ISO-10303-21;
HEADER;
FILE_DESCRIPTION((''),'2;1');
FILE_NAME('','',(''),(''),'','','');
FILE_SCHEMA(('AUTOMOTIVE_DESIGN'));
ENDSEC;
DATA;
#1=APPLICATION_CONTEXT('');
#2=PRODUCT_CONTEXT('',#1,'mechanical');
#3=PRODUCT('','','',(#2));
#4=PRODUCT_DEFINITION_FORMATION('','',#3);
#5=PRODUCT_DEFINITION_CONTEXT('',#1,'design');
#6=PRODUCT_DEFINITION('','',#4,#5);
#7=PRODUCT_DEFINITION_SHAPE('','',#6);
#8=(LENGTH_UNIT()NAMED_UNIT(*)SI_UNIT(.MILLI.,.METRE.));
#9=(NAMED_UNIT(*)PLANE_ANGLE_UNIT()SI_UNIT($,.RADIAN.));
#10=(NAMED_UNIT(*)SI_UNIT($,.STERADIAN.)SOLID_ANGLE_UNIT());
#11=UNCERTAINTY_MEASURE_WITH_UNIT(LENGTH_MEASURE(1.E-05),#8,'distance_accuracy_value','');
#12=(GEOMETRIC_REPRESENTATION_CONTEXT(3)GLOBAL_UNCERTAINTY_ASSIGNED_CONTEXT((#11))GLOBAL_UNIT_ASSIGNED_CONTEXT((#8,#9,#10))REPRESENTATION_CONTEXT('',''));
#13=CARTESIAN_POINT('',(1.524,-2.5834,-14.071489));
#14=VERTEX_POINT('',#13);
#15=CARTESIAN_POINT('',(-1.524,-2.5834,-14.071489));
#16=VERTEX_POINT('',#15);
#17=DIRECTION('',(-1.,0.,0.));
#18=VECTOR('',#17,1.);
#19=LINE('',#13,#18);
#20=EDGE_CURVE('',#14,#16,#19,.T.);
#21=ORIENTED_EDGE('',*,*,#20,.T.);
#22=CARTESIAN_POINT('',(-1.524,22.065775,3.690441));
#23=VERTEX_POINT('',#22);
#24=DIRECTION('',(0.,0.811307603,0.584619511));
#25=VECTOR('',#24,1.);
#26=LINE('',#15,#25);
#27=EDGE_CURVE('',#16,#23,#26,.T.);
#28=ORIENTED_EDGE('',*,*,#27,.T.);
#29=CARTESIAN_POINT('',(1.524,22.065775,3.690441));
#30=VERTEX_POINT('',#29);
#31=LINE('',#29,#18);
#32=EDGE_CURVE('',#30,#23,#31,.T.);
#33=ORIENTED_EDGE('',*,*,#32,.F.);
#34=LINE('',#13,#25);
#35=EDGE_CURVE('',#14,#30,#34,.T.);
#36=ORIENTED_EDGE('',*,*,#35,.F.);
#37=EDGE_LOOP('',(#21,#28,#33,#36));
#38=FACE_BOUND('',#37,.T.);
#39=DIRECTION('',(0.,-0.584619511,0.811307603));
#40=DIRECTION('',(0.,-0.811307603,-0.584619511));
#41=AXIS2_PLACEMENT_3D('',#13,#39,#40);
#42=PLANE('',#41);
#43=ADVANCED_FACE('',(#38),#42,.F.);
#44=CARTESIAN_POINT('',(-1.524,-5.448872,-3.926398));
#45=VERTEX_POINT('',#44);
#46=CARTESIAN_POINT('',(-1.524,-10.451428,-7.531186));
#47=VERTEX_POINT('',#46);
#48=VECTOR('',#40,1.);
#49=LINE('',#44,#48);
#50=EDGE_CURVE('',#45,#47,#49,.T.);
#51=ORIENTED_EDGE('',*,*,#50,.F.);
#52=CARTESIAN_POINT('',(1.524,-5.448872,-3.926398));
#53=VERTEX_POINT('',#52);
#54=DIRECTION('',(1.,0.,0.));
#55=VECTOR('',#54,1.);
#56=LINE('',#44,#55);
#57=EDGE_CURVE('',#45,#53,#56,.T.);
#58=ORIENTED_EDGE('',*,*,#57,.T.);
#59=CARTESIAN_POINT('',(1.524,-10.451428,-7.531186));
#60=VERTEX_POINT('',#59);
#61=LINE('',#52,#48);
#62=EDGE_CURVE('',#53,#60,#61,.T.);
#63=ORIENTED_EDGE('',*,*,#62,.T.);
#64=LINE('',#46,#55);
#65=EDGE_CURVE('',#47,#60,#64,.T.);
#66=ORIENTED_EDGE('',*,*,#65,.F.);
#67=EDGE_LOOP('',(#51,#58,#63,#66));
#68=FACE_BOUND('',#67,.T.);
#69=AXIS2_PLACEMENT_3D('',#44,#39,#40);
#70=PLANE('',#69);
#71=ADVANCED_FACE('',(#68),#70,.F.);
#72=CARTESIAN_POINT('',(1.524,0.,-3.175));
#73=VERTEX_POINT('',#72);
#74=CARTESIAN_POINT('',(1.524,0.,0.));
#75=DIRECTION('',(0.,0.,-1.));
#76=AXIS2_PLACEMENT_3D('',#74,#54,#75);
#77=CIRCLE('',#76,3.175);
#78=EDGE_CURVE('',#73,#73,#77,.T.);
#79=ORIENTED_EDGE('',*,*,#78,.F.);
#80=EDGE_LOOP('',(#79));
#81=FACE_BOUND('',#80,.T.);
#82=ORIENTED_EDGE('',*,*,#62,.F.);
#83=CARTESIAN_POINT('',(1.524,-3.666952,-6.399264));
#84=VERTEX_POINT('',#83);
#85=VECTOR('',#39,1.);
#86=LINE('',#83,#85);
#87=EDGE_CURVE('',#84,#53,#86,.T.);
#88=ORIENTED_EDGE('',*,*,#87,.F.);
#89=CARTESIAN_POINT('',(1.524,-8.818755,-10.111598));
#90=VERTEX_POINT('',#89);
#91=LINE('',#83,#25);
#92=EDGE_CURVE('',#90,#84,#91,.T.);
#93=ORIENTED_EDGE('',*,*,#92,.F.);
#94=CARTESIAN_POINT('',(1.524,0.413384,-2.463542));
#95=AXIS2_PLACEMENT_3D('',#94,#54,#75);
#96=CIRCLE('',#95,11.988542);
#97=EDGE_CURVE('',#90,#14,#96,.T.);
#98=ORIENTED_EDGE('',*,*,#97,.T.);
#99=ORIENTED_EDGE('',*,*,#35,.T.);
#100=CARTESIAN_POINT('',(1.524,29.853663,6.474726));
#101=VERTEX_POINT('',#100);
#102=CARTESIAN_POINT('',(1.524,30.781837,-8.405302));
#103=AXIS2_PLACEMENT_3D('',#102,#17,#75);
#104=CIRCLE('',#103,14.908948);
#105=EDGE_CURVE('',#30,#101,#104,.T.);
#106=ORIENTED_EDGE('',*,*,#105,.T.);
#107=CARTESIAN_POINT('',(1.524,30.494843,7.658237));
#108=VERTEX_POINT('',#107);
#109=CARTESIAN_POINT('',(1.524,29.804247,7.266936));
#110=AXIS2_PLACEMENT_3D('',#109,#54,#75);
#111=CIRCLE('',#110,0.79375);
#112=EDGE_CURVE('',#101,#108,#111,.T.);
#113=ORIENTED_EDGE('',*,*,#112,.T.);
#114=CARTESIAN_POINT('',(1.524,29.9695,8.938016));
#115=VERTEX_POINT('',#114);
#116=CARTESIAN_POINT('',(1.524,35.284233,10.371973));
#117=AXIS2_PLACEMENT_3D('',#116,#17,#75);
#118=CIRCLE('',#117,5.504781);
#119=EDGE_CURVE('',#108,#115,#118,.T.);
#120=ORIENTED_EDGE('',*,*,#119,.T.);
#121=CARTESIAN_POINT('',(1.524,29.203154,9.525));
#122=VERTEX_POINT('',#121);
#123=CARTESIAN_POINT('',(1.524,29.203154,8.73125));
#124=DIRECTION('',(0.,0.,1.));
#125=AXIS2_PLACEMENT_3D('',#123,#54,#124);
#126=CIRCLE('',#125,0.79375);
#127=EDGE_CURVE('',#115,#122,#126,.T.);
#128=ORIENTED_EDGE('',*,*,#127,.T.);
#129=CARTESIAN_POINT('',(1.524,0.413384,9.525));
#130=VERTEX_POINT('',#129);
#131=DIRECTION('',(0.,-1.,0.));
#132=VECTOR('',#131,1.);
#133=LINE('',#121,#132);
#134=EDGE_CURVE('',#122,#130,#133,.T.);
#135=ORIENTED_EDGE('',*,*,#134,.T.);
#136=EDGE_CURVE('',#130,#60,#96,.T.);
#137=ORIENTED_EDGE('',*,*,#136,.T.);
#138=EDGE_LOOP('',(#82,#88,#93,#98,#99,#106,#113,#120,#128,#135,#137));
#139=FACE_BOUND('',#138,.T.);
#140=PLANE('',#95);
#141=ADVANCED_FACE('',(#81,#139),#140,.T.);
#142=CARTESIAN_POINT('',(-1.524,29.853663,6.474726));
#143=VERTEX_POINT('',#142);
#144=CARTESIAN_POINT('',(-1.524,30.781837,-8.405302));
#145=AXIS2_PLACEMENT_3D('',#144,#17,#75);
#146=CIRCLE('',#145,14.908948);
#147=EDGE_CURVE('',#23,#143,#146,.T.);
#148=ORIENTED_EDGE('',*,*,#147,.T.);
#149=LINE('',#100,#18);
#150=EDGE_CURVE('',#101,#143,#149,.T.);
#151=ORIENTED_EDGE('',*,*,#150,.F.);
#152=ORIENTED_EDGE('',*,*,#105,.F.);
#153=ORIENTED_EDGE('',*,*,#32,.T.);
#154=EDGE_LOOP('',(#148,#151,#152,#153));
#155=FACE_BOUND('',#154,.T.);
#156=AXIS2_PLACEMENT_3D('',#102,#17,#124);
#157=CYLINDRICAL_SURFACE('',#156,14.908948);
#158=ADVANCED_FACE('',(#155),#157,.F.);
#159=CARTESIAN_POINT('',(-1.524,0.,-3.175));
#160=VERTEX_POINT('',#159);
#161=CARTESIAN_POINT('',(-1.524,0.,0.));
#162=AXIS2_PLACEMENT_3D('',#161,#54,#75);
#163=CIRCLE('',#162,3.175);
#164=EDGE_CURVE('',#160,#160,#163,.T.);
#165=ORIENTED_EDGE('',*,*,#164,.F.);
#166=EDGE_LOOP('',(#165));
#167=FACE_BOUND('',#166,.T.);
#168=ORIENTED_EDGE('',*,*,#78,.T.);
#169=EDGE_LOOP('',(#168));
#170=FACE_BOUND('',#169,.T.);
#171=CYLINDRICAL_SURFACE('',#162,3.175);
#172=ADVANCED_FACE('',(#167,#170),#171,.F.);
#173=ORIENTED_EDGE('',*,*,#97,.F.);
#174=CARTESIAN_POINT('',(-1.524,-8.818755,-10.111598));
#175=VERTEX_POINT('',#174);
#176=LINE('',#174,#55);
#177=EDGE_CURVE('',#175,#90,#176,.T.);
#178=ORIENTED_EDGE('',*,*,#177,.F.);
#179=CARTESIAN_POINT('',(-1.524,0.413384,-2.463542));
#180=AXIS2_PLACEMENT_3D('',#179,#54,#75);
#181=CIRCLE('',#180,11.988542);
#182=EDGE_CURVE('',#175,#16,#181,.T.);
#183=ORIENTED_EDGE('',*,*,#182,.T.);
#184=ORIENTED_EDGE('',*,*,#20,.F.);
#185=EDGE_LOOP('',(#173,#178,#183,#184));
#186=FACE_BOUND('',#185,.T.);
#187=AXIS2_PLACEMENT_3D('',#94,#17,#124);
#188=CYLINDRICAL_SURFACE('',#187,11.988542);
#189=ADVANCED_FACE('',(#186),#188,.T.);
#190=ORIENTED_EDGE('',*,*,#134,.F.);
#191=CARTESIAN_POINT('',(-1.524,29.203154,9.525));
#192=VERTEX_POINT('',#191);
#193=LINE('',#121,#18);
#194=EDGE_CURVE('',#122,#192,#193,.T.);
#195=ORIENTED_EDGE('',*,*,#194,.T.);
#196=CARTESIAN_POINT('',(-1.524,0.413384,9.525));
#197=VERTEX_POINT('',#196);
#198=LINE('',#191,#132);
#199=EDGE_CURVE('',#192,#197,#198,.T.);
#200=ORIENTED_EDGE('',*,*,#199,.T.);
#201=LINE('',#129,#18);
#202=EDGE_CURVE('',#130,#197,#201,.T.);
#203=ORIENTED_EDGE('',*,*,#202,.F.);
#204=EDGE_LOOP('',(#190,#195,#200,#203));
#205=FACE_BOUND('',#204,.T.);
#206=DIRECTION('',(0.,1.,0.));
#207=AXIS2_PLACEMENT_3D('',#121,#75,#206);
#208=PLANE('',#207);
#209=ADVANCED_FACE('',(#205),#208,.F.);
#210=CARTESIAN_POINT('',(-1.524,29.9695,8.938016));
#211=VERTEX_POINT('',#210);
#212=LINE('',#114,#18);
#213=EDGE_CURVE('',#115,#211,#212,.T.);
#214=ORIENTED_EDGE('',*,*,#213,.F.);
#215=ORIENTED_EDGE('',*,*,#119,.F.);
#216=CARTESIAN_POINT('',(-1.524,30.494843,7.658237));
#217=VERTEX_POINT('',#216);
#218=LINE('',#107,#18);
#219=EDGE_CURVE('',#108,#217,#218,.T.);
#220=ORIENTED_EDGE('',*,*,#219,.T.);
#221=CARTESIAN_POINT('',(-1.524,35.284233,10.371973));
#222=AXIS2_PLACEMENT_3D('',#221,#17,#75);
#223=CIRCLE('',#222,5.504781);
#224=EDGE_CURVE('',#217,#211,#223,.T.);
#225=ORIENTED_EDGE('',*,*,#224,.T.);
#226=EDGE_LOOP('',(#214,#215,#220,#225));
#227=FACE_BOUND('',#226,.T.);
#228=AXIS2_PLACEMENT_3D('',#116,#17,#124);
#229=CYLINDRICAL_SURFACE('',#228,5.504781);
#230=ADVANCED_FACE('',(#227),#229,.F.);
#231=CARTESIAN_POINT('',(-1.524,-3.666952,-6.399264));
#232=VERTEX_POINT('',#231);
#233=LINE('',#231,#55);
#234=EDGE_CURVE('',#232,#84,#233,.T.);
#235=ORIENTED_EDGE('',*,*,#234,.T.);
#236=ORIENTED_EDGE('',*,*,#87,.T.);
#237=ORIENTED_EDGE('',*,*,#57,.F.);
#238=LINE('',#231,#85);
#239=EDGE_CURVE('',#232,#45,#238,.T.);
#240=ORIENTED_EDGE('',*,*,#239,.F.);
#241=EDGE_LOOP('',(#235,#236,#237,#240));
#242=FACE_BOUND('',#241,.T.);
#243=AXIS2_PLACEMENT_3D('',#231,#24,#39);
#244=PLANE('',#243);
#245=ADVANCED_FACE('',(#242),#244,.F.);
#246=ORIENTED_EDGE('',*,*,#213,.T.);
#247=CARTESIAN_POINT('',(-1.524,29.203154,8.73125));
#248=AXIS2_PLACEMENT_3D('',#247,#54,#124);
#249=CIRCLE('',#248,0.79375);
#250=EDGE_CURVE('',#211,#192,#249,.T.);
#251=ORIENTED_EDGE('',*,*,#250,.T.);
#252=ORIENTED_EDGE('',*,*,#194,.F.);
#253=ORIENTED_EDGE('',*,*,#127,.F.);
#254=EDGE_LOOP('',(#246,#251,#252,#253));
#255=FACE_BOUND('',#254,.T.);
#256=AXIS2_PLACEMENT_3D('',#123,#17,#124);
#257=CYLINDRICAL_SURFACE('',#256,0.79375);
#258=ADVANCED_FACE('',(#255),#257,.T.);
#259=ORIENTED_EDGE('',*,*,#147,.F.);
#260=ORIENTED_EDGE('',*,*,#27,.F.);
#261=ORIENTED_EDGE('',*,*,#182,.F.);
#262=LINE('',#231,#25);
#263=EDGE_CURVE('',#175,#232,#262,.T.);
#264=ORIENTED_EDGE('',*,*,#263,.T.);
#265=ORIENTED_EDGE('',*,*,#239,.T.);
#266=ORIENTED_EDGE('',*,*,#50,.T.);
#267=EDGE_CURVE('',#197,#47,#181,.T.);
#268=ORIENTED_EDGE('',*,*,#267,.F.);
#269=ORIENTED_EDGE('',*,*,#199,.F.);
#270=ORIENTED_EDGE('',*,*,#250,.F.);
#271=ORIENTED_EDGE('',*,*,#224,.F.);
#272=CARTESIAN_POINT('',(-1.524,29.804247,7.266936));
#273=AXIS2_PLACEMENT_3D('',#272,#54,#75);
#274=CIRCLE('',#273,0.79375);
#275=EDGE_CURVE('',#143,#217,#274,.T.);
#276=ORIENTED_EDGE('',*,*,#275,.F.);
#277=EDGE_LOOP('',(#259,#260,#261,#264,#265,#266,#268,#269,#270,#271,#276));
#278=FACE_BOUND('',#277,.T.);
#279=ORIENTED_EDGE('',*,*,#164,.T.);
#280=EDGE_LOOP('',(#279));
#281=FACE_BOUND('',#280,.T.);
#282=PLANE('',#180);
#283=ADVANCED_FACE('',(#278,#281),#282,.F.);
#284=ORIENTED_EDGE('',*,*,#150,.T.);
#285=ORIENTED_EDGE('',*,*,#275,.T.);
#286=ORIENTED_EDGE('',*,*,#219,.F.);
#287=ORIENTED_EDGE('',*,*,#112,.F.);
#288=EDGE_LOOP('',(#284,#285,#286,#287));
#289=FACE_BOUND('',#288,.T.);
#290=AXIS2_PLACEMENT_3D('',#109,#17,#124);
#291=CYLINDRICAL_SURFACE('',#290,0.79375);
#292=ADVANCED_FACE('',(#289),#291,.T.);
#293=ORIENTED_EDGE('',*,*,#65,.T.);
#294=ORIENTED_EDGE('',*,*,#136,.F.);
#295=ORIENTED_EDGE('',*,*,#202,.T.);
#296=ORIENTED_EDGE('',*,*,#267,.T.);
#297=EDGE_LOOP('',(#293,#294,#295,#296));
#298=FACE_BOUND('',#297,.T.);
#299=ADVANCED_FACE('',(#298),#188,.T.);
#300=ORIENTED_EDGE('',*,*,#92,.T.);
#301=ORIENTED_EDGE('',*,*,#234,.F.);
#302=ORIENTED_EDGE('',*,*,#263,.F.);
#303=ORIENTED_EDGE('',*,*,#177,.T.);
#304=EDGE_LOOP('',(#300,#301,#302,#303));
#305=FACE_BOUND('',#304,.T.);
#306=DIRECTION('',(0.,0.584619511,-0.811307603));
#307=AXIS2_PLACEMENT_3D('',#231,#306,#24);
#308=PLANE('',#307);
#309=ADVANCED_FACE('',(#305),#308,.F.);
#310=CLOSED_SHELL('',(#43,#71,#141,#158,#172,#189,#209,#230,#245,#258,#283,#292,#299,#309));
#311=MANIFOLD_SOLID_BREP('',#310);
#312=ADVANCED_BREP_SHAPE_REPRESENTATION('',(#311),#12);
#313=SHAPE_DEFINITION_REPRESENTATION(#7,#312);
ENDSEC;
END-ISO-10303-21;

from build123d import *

# Parameters (mm, degrees)
BOSS_EXTRUDE1_DEPTH = 1.524
SKETCH2_R           = 3.175
CUT_EXTRUDE1_DEPTH  = 4.048
CUT_EXTRUDE2_DEPTH  = 4.048


with BuildPart() as part:
    # Sketch1 → Boss-Extrude1 (new body, symmetric)
    with BuildSketch(Plane(origin=(0, 0, 0), x_dir=(0, 0, -1), z_dir=(1, 0, 0))):
        with BuildLine():
            Line((-9.525, 29.203153615), (-9.525, 0.413383537))
            ThreePointArc((-9.525, 0.413383537), (0.953114694, -11.479629163), (14.071488999, -2.58339995))
            Line((14.071488999, -2.58339995), (-3.690440969, 22.065775388))
            ThreePointArc((-3.690440969, 22.065775388), (-5.633424794, 25.762785311), (-6.474725684, 29.85366313))
            ThreePointArc((-6.474725684, 29.85366313), (-6.888835567, 30.502157859), (-7.658237218, 30.494842983))
            ThreePointArc((-7.658237218, 30.494842983), (-8.281558069, 30.191808808), (-8.938016281, 29.969499991))
            ThreePointArc((-8.938016281, 29.969499991), (-9.361392761, 29.685812049), (-9.525, 29.203153615))
        make_face()
    extrude(amount=BOSS_EXTRUDE1_DEPTH, both=True)

    # Sketch2 → Cut-Extrude1 (cut, through all)
    with BuildSketch(Plane(origin=(1.524, 0, 0), x_dir=(0, 0, -1), z_dir=(1, 0, 0))):
        Circle(SKETCH2_R)
    extrude(amount=-CUT_EXTRUDE1_DEPTH, mode=Mode.SUBTRACT)

    # Sketch3 → Cut-Extrude2 (cut, through all)
    with BuildSketch(Plane(origin=(1.524, 0, 0), x_dir=(0, 0, -1), z_dir=(1, 0, 0))):
        with BuildLine():
            Line((3.926398482, -5.448872099), (7.531186188, -10.451427812))
            ThreePointArc((7.531186188, -10.451427812), (8.873585882, -9.717582903), (10.111597952, -8.818755111))
            Line((10.111597952, -8.818755111), (6.399264057, -3.66695183))
            Line((6.399264057, -3.66695183), (3.926398482, -5.448872099))
        make_face()
    extrude(amount=-CUT_EXTRUDE2_DEPTH, mode=Mode.SUBTRACT)


solid = part.part
